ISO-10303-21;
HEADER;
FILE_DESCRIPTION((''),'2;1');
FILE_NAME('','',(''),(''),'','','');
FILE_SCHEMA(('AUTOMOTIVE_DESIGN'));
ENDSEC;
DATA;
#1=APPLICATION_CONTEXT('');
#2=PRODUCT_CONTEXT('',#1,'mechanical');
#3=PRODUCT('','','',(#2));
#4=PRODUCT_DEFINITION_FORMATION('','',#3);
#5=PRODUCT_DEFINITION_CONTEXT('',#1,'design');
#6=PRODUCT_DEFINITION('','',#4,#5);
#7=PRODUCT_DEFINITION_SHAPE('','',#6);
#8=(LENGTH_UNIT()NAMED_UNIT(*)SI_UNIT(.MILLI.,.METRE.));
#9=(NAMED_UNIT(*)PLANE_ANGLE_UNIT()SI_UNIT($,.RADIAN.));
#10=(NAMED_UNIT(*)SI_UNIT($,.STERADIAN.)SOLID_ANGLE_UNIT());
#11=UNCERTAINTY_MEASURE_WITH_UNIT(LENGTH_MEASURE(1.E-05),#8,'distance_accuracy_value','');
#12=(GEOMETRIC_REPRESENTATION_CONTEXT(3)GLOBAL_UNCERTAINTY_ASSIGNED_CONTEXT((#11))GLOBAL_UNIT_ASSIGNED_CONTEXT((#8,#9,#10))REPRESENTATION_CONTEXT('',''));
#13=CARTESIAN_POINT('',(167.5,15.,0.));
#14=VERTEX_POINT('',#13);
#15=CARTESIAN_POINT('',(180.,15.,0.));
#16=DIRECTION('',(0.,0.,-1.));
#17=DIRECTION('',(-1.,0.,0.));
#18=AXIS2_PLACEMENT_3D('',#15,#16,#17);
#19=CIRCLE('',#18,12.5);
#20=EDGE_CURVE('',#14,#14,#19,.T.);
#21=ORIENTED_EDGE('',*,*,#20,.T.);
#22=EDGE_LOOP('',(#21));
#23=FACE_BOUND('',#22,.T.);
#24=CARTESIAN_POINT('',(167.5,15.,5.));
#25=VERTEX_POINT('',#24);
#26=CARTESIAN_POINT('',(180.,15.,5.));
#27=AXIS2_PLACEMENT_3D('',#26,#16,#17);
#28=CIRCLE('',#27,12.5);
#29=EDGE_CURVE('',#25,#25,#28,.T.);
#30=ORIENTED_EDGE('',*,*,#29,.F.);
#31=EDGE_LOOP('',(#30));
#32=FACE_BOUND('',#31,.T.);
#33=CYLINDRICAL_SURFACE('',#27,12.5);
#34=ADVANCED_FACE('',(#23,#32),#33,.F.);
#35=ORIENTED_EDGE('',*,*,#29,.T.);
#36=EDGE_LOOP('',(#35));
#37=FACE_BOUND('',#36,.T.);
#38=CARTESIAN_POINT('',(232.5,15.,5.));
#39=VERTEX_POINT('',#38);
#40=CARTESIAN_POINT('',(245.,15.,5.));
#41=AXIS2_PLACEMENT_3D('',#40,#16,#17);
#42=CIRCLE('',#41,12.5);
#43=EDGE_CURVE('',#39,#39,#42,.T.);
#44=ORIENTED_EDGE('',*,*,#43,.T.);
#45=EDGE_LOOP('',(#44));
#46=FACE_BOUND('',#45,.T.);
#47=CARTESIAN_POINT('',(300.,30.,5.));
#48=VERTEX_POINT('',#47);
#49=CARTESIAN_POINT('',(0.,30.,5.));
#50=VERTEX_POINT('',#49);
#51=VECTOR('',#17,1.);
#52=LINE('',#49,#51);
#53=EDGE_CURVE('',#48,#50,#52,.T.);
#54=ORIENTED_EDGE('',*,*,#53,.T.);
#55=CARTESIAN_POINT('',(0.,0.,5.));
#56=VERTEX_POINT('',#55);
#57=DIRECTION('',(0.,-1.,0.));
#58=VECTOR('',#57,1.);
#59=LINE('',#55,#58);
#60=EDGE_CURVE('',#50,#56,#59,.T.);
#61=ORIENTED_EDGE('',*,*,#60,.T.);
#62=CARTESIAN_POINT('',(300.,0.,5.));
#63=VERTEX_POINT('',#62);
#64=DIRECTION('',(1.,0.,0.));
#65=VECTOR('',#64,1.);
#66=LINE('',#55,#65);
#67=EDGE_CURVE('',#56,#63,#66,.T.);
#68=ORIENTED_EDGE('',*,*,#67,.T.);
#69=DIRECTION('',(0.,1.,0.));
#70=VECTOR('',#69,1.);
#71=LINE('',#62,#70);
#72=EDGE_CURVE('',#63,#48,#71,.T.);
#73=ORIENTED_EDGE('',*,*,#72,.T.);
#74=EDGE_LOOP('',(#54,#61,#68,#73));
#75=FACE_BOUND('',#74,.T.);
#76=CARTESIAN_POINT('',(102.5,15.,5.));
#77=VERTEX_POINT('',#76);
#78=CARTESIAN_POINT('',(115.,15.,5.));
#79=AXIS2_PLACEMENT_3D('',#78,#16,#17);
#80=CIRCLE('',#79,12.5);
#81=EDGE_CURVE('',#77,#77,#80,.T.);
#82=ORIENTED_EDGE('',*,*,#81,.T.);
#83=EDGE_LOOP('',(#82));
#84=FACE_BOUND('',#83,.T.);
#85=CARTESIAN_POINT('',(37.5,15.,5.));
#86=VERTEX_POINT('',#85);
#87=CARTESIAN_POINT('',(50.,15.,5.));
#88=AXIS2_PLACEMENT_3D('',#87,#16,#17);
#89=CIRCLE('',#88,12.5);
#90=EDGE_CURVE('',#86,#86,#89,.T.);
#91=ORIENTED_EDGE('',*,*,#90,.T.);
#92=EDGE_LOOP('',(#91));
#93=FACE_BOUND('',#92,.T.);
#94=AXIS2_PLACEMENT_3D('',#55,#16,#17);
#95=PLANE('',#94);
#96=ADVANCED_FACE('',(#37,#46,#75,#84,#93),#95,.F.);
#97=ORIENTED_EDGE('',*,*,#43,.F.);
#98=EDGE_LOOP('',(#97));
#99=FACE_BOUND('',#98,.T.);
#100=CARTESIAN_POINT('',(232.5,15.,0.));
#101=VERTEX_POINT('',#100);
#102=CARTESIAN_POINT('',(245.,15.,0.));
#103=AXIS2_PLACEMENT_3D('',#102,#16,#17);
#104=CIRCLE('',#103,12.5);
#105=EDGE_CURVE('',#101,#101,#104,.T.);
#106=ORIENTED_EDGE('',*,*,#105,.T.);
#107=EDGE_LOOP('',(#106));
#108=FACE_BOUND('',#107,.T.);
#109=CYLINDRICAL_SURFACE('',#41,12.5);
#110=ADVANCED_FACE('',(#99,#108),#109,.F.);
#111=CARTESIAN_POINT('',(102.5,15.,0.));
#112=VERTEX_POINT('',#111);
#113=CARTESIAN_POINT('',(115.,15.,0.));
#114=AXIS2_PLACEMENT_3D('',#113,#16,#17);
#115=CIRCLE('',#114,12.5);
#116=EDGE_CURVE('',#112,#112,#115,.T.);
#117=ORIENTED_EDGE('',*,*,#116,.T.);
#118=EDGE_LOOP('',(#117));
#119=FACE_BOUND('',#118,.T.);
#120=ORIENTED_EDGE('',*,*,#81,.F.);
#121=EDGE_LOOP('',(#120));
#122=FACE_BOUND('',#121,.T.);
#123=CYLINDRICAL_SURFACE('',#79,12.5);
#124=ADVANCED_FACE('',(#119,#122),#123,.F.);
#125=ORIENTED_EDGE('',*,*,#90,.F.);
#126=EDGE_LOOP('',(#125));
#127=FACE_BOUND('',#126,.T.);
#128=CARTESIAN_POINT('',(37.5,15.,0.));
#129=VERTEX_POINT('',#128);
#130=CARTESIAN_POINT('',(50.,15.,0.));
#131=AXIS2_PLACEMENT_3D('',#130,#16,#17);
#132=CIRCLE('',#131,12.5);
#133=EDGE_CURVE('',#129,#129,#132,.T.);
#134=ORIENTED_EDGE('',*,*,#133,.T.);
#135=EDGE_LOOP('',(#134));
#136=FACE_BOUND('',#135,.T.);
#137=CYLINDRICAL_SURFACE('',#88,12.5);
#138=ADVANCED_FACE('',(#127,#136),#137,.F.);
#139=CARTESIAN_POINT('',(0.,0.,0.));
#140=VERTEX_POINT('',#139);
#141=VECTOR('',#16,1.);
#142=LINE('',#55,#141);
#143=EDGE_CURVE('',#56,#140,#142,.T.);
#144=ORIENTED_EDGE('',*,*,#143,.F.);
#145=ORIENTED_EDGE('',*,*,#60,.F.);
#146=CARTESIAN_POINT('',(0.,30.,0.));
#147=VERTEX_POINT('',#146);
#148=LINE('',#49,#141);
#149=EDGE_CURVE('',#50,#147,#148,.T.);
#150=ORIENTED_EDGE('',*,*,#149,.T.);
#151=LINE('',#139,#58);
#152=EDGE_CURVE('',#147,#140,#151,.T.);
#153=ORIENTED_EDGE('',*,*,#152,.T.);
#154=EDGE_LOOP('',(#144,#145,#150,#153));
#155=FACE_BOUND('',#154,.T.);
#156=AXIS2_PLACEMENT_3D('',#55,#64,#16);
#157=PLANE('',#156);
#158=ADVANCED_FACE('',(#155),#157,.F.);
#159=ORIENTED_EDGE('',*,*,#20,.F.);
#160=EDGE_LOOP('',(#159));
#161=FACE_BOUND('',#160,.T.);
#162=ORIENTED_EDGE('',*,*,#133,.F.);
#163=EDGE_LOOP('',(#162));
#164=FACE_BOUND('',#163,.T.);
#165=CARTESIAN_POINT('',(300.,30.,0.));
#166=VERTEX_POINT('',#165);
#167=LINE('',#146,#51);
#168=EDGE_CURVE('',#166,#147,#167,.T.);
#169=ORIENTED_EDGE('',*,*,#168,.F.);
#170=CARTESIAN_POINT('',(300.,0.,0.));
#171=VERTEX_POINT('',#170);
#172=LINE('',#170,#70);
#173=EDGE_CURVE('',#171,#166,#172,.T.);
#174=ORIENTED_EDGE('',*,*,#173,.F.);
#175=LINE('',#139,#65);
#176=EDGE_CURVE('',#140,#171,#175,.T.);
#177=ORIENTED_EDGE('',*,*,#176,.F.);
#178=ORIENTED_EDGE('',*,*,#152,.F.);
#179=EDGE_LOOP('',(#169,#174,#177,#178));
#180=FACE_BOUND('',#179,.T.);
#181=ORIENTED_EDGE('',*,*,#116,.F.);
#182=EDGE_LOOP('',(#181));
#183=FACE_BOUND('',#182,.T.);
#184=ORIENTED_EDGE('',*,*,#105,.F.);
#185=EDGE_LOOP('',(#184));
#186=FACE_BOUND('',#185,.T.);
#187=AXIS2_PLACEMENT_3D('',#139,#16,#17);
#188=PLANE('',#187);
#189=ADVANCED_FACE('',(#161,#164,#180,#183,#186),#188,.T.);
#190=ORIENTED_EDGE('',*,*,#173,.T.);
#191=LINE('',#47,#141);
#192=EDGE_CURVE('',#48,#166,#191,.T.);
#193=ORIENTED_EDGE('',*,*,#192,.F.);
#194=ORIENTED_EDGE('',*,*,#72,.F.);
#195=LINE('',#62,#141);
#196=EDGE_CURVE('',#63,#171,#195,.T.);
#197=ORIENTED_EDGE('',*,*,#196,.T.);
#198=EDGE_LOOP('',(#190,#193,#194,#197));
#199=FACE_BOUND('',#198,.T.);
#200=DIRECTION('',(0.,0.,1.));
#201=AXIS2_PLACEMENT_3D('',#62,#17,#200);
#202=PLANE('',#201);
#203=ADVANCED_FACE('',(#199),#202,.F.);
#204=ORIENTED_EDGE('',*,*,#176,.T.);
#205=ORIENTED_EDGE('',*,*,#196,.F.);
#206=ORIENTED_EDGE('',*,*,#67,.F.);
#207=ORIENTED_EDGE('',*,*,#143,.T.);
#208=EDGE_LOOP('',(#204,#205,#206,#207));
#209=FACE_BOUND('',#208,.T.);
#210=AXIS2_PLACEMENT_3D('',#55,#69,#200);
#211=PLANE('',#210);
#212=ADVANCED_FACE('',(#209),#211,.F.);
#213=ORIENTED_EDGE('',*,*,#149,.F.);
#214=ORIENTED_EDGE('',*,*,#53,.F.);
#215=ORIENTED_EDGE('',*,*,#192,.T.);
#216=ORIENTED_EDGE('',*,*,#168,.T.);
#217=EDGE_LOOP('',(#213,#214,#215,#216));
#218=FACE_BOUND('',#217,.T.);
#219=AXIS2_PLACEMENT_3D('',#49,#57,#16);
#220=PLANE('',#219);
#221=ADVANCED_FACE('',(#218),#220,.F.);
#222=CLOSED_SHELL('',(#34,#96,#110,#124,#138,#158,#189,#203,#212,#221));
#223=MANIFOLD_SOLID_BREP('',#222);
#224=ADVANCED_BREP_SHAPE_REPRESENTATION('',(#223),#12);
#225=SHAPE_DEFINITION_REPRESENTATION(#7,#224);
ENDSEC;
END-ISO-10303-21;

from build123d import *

# Parameters (mm, degrees)
SKETCH1_W           = 300
SKETCH1_H           = 30
BOSS_EXTRUDE1_DEPTH = 5
SKETCH2_R           = 12.5
CUT_EXTRUDE1_DEPTH  = 6


with BuildPart() as part:
    # Sketch1 → Boss-Extrude1 (new body)
    with BuildSketch(Plane.XY):
        with Locations((150, 15)):
            Rectangle(SKETCH1_W, SKETCH1_H)
    extrude(amount=BOSS_EXTRUDE1_DEPTH)

    # Sketch2 → Cut-Extrude1 (cut, through all)
    with BuildSketch(Plane(origin=(0, 0, 0), x_dir=(-1, 0, 0), z_dir=(0, 0, -1))):
        with Locations((-50, 15)):
            Circle(SKETCH2_R)
        with Locations((-115, 15)):
            Circle(SKETCH2_R)
        with Locations((-180, 15)):
            Circle(SKETCH2_R)
        with Locations((-245, 15)):
            Circle(SKETCH2_R)
    extrude(amount=-CUT_EXTRUDE1_DEPTH, mode=Mode.SUBTRACT)


solid = part.part
